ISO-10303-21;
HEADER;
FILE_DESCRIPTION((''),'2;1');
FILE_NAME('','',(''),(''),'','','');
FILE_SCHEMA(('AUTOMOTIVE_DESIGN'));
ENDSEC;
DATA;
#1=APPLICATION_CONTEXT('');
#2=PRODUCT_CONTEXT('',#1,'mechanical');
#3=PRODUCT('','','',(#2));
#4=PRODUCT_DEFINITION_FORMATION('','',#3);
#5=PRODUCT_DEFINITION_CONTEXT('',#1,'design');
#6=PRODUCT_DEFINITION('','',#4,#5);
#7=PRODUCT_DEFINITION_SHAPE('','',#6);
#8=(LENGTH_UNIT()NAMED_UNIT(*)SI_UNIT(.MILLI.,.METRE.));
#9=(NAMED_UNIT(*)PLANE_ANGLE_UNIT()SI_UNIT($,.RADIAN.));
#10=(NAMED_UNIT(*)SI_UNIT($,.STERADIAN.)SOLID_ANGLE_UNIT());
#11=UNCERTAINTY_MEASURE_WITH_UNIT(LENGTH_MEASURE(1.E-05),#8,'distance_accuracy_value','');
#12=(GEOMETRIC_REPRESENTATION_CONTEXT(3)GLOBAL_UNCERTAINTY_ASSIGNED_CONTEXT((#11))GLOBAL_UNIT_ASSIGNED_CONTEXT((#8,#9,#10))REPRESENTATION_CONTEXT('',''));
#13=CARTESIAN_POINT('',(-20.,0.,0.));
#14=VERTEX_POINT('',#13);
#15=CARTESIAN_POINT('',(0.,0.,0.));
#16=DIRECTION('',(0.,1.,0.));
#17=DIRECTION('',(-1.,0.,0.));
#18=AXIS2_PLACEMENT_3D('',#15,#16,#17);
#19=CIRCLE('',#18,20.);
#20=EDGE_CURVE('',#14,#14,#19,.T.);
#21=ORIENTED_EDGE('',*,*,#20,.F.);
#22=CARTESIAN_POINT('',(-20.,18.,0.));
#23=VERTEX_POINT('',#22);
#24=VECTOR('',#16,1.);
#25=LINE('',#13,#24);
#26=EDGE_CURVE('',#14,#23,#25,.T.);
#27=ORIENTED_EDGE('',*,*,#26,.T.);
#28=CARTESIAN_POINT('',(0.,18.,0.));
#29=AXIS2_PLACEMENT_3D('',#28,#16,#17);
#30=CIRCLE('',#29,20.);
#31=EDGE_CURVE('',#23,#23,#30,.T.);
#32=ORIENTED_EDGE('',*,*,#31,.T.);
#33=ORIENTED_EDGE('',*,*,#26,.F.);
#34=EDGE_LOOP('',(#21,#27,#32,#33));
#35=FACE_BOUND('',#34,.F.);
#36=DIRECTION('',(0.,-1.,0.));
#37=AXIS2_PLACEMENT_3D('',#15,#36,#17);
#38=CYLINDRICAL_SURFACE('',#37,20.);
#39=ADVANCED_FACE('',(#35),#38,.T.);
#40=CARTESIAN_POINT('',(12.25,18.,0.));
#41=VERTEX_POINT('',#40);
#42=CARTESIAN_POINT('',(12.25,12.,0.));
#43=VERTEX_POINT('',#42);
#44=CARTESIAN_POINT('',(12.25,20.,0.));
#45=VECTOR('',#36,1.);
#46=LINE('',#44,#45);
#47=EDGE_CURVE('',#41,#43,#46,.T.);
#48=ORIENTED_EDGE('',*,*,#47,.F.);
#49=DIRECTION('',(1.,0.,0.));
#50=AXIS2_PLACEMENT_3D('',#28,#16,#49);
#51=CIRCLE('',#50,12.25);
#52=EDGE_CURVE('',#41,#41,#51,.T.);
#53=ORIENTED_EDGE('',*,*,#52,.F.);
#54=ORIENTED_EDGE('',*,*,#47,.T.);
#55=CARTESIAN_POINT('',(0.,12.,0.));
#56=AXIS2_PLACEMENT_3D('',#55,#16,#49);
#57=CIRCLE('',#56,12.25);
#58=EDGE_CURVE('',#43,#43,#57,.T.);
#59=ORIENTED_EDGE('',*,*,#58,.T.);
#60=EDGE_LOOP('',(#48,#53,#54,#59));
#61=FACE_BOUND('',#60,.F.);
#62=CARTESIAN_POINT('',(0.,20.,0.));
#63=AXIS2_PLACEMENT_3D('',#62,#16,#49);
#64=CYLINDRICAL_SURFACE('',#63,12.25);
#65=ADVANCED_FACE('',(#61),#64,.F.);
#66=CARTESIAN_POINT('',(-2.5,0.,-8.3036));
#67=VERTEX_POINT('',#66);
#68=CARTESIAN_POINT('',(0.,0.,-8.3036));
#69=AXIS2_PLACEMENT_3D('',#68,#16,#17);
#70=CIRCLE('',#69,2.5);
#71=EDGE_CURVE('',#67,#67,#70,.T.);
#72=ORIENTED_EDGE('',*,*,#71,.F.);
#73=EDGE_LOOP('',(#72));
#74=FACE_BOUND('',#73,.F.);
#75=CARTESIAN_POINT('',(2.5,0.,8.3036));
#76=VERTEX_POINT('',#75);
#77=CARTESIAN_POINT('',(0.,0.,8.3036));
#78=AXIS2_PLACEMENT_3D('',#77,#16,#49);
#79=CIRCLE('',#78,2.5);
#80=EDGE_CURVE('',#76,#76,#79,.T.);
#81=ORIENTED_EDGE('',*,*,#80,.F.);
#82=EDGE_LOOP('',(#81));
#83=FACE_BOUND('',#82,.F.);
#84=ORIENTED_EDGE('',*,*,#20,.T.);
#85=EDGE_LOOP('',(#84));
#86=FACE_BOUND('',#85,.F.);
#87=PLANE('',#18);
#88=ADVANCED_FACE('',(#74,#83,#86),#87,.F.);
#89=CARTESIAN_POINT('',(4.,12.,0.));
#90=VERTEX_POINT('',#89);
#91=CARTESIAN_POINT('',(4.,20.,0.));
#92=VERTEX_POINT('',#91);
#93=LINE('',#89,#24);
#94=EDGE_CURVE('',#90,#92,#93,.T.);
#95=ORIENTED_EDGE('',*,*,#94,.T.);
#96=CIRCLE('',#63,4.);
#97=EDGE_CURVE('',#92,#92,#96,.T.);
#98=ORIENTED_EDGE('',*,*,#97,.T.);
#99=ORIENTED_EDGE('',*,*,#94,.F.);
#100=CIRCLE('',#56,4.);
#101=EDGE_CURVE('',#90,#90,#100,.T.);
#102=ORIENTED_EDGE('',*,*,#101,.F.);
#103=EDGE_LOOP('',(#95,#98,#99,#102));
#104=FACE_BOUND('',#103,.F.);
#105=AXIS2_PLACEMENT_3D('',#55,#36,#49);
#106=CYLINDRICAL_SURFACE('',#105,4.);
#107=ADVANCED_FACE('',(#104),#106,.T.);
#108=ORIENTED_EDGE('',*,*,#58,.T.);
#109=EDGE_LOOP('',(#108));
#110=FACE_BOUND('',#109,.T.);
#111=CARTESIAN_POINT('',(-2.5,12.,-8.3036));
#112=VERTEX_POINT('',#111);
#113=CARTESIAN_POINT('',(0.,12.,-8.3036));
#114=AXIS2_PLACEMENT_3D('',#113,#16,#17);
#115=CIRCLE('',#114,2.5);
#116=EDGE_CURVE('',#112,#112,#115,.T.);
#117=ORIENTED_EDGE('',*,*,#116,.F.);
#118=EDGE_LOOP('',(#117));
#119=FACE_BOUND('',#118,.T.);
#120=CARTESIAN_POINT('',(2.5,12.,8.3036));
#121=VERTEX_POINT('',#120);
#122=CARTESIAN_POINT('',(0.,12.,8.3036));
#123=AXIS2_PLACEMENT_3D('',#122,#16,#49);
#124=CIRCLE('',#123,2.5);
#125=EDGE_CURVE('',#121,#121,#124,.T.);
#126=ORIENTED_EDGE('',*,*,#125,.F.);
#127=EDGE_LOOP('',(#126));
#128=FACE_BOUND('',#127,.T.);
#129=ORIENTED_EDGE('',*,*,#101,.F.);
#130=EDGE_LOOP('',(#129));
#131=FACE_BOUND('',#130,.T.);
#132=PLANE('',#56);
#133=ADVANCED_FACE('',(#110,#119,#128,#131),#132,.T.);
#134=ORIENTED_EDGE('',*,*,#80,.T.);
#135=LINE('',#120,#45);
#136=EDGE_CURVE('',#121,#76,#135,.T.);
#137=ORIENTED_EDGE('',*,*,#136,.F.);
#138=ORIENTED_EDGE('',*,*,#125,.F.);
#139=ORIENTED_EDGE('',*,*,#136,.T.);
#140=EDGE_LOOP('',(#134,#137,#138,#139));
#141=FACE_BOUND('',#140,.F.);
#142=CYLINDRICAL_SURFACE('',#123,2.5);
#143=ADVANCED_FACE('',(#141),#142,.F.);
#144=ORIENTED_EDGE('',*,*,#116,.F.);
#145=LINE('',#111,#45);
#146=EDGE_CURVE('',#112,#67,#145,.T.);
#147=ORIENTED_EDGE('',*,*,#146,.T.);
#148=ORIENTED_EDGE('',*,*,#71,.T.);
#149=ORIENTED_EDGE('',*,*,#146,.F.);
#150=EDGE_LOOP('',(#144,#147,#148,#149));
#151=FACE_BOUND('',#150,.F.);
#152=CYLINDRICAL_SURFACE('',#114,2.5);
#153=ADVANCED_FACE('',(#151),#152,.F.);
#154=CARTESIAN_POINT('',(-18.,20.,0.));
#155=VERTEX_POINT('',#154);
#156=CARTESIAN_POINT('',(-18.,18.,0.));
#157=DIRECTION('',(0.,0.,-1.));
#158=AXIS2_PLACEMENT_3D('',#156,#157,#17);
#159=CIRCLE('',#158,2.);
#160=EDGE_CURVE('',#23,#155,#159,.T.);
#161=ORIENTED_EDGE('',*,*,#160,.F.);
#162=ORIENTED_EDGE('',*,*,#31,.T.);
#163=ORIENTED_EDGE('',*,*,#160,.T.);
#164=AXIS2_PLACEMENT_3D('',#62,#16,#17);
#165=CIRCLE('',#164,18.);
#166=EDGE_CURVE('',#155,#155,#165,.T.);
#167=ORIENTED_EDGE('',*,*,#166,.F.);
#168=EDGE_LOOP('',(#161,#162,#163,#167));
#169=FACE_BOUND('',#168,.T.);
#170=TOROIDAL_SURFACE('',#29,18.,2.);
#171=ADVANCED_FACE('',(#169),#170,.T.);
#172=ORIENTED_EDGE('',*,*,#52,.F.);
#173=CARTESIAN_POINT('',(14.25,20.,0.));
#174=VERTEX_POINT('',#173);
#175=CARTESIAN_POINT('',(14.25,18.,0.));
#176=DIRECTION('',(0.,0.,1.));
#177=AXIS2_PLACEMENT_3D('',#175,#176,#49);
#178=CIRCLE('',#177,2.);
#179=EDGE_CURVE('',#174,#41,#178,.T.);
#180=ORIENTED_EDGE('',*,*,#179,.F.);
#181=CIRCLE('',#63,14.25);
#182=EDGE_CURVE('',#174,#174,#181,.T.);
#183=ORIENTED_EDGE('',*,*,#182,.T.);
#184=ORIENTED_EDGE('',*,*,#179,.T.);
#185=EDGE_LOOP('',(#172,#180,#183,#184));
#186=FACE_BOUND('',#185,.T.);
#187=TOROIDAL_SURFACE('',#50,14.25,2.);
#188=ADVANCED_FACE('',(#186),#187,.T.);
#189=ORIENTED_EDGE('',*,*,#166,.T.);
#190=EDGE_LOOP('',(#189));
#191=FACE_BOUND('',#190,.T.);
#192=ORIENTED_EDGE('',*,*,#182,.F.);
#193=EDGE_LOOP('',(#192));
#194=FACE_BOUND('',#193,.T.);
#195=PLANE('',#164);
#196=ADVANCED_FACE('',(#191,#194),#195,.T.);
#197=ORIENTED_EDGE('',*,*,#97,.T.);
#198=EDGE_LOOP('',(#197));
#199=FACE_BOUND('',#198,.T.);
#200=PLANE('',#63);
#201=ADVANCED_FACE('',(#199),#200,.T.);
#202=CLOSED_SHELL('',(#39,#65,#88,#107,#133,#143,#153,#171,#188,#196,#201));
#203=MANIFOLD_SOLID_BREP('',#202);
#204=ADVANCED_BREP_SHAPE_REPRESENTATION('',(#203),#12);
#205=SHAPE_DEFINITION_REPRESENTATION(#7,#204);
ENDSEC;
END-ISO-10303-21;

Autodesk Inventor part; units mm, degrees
ref_plane "YZ Plane" through (0, 0, 0) normal (1, 0, 0) x (0, 1, 0)
ref_plane "XZ Plane" through (0, 0, 0) normal (0, 1, 0) x (-1, 0, 0)
ref_plane "XY Plane" through (0, 0, 0) normal (0, 0, 1) x (1, 0, 0)
sketch "Sketch1" plane through (0, 0, 0) normal (0, 1, 0) x (-1, 0, 0)
  circle A0 centre (0, 0) radius 20
  dimension "d0" = 40
extrude "Extrusion1" add sketch "Sketch1" along normal blind 20
sketch "Sketch2" plane through (0, 20, 0) normal (0, 1, 0) x (1, 0, 0)
  circle A0 centre (0, 0) radius 12.25
  dimension "d3" = 24.5
extrude "Extrusion2" cut sketch "Sketch2" against normal blind 8
fillet "Fillet1" radius 2 2 edges at (20, 20, 0) (-12.25, 20, 0)
sketch "Sketch3" plane through (0, 12, 0) normal (0, 1, 0) x (1, 0, 0)
  circle A0 centre (0, 0) radius 4
  dimension "d7" = 8
extrude "Extrusion3" add sketch "Sketch3" along normal blind 8
sketch "Sketch4" plane through (0, 12, 0) normal (0, 1, 0) x (1, 0, 0)
  circle A0 centre (0, -8.3036) radius 2.5
  point P0 (0, 0)
  dimension "d10" = 5
extrude "Extrusion4" cut sketch "Sketch4" against normal blind 15
pattern_circular "Circular Pattern1" count 2 over 360 about axis through (0, -10, 0) along (0, 1, 0) of "Extrusion4"
properties part number "PruebaRodamiento"
